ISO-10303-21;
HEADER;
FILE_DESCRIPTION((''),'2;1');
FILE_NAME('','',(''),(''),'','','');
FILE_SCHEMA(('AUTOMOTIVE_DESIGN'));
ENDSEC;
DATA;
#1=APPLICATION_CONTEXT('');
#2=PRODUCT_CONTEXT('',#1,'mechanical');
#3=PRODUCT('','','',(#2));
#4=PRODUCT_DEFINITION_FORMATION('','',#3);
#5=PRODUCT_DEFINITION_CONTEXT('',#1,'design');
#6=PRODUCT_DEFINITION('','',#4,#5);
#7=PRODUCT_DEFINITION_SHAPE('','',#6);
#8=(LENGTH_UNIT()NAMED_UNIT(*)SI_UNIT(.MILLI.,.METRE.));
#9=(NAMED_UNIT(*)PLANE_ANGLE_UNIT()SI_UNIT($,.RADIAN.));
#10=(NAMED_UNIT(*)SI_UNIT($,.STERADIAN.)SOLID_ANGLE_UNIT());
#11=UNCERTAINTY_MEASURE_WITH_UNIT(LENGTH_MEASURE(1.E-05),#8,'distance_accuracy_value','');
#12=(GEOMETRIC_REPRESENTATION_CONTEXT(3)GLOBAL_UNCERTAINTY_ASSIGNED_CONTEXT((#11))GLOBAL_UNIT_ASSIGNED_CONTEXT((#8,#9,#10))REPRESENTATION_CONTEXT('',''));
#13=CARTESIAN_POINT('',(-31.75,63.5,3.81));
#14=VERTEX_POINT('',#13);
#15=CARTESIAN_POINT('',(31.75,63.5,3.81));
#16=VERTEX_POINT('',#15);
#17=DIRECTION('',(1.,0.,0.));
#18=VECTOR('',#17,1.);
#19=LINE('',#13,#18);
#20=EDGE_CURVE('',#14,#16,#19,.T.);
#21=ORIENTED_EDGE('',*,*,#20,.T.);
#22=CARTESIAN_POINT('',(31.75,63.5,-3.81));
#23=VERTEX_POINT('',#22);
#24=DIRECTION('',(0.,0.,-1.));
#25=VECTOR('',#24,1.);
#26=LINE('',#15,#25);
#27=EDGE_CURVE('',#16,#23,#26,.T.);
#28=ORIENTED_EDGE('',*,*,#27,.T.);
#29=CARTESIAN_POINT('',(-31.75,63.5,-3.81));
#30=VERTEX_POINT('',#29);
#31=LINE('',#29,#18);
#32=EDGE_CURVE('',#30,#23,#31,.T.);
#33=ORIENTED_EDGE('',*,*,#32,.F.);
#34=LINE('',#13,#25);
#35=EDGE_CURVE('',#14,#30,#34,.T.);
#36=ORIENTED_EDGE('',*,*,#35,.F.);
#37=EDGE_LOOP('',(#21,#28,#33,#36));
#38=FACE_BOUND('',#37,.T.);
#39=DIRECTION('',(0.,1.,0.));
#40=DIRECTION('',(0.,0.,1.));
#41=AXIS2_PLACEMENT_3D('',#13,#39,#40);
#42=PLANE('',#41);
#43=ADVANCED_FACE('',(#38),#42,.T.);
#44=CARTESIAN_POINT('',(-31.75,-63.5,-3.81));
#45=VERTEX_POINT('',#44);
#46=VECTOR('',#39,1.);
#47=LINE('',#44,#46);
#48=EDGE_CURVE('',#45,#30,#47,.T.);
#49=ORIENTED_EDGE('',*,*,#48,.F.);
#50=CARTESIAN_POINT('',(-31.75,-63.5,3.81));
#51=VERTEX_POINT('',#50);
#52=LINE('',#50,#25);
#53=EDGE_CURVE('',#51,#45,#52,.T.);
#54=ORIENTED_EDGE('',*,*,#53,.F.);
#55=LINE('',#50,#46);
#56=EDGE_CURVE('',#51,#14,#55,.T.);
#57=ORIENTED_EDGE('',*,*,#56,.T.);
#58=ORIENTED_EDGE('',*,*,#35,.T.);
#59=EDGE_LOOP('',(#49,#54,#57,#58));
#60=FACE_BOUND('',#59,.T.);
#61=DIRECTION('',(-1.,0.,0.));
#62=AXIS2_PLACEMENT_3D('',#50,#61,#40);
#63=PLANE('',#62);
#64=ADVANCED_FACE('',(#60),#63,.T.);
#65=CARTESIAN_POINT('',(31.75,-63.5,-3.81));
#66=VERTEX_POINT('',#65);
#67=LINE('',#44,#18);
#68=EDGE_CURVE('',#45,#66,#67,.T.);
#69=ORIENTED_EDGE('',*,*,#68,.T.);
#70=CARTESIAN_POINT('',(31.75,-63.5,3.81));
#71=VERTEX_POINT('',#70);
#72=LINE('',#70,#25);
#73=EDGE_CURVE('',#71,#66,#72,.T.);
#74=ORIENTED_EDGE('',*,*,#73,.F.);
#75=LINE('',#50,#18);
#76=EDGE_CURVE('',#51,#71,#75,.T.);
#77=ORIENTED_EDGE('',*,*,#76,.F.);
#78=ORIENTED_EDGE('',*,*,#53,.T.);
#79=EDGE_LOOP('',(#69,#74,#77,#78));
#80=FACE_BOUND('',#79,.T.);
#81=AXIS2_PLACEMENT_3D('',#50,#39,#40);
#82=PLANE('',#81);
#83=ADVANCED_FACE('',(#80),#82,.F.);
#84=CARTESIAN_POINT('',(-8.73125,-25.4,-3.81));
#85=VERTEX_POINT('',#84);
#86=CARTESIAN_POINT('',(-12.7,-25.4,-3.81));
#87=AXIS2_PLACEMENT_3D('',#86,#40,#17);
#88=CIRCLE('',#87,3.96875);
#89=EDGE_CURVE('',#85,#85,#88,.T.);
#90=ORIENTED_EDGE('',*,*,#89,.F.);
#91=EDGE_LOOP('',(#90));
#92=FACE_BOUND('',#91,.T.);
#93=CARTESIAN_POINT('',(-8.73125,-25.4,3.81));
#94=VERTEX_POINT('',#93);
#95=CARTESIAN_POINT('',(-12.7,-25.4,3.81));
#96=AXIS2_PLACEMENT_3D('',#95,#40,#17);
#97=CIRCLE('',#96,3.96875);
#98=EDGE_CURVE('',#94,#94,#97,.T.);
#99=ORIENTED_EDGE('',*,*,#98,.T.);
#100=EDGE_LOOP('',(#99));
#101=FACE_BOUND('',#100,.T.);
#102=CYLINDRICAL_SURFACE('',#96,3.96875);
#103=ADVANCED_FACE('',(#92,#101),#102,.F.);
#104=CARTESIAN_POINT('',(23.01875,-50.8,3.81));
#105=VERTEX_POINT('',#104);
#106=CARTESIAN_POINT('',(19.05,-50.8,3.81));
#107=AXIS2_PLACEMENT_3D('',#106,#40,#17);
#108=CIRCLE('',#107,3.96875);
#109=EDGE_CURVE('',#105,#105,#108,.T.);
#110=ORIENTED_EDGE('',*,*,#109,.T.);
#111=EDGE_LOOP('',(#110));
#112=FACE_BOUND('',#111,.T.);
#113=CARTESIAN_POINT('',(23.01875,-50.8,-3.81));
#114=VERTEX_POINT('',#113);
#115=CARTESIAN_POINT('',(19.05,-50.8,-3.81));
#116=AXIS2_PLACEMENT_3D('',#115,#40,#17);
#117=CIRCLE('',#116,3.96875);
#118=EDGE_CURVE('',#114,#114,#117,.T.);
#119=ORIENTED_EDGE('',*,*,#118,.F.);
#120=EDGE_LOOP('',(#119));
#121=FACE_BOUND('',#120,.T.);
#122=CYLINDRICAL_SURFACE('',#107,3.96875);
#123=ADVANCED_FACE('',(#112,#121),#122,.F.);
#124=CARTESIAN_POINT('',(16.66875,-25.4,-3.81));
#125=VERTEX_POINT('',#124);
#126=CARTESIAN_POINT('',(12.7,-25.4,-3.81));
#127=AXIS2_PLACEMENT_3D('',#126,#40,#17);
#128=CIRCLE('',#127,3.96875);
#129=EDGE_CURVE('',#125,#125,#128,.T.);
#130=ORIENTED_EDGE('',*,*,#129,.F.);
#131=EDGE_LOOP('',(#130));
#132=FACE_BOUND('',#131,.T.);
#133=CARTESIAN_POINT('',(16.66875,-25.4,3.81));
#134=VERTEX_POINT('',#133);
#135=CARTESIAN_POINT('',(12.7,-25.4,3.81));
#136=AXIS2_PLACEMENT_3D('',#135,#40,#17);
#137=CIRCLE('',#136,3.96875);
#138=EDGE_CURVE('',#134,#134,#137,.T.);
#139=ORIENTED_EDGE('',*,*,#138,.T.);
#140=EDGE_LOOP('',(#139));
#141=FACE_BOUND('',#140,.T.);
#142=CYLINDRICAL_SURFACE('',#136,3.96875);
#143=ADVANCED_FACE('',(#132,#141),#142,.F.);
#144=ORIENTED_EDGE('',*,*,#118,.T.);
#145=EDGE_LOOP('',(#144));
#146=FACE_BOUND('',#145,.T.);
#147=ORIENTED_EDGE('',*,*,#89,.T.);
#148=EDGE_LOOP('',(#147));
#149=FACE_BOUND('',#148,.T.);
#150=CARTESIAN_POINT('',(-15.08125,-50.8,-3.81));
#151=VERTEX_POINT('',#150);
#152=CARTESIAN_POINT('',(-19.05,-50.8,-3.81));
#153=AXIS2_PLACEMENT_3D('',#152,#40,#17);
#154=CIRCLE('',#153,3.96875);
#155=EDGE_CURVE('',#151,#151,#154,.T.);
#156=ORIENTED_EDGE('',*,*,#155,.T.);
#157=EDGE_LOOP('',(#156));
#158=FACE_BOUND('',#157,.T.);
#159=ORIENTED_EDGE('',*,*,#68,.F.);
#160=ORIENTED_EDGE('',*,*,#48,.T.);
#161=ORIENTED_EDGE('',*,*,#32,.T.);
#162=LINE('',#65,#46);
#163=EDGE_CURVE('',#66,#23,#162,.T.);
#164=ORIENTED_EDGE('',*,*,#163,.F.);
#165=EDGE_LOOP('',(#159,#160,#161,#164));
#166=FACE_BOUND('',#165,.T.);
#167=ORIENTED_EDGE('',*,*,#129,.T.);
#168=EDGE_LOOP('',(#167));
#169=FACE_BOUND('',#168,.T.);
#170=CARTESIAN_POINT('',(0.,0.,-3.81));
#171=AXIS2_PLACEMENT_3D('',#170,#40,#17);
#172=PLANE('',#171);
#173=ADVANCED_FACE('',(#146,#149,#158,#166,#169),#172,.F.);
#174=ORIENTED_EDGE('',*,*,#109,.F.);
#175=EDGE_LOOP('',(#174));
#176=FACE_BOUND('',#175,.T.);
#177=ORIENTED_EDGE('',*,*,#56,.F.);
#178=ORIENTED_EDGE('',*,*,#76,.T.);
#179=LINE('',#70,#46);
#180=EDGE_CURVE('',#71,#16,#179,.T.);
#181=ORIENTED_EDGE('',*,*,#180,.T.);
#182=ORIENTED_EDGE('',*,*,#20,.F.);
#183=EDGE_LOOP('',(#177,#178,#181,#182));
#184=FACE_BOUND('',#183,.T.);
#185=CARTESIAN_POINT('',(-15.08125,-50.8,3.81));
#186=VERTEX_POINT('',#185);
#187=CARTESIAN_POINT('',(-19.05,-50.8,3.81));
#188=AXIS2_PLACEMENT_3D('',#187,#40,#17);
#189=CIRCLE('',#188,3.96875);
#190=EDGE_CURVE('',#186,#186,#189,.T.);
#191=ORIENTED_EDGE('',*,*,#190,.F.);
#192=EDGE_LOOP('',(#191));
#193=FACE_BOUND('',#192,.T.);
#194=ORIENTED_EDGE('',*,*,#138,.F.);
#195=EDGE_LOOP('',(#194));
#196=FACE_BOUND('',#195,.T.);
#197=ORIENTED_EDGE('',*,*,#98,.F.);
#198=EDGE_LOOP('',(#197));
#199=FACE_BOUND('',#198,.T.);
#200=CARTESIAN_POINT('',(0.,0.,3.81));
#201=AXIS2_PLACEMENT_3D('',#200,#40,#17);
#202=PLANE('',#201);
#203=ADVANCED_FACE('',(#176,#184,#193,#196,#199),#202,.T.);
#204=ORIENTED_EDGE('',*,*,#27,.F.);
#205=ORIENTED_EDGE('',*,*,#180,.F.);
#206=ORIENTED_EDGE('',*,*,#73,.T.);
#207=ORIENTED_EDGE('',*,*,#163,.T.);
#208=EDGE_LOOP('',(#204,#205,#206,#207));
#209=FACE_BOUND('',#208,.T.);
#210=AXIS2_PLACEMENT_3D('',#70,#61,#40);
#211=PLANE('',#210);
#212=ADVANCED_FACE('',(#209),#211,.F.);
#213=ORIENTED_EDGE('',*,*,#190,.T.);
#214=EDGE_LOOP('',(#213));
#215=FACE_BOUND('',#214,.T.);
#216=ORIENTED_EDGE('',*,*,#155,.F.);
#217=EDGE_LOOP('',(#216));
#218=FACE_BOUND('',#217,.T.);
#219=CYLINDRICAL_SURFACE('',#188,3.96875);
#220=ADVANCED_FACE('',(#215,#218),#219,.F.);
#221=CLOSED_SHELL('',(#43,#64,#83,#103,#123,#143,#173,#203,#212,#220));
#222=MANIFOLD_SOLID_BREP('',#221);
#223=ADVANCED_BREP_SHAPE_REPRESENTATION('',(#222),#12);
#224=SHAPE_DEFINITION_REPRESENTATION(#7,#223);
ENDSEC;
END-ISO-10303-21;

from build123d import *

# Parameters (mm, degrees)
SKETCH2_W                   = 63.5
SKETCH2_H                   = 127
BOSS_EXTRUDE1_DEPTH         = 3.81
TAP_DRILL_FOR_3_8_16_TAP1_D = 7.9375


with BuildPart() as part:
    # Sketch2 → Boss-Extrude1 (new, symmetric)
    with BuildSketch(Plane.XY):
        Rectangle(SKETCH2_W, SKETCH2_H)
    extrude(amount=BOSS_EXTRUDE1_DEPTH, both=True)

    # Tap Drill for 3/8-16 Tap1 (through all)
    with Locations(Plane.XY.offset(3.81)):
        with Locations((-12.7, -25.4), (12.7, -25.4), (-19.05, -50.8), (19.05, -50.8)):
            Hole(TAP_DRILL_FOR_3_8_16_TAP1_D / 2)


solid = part.part
